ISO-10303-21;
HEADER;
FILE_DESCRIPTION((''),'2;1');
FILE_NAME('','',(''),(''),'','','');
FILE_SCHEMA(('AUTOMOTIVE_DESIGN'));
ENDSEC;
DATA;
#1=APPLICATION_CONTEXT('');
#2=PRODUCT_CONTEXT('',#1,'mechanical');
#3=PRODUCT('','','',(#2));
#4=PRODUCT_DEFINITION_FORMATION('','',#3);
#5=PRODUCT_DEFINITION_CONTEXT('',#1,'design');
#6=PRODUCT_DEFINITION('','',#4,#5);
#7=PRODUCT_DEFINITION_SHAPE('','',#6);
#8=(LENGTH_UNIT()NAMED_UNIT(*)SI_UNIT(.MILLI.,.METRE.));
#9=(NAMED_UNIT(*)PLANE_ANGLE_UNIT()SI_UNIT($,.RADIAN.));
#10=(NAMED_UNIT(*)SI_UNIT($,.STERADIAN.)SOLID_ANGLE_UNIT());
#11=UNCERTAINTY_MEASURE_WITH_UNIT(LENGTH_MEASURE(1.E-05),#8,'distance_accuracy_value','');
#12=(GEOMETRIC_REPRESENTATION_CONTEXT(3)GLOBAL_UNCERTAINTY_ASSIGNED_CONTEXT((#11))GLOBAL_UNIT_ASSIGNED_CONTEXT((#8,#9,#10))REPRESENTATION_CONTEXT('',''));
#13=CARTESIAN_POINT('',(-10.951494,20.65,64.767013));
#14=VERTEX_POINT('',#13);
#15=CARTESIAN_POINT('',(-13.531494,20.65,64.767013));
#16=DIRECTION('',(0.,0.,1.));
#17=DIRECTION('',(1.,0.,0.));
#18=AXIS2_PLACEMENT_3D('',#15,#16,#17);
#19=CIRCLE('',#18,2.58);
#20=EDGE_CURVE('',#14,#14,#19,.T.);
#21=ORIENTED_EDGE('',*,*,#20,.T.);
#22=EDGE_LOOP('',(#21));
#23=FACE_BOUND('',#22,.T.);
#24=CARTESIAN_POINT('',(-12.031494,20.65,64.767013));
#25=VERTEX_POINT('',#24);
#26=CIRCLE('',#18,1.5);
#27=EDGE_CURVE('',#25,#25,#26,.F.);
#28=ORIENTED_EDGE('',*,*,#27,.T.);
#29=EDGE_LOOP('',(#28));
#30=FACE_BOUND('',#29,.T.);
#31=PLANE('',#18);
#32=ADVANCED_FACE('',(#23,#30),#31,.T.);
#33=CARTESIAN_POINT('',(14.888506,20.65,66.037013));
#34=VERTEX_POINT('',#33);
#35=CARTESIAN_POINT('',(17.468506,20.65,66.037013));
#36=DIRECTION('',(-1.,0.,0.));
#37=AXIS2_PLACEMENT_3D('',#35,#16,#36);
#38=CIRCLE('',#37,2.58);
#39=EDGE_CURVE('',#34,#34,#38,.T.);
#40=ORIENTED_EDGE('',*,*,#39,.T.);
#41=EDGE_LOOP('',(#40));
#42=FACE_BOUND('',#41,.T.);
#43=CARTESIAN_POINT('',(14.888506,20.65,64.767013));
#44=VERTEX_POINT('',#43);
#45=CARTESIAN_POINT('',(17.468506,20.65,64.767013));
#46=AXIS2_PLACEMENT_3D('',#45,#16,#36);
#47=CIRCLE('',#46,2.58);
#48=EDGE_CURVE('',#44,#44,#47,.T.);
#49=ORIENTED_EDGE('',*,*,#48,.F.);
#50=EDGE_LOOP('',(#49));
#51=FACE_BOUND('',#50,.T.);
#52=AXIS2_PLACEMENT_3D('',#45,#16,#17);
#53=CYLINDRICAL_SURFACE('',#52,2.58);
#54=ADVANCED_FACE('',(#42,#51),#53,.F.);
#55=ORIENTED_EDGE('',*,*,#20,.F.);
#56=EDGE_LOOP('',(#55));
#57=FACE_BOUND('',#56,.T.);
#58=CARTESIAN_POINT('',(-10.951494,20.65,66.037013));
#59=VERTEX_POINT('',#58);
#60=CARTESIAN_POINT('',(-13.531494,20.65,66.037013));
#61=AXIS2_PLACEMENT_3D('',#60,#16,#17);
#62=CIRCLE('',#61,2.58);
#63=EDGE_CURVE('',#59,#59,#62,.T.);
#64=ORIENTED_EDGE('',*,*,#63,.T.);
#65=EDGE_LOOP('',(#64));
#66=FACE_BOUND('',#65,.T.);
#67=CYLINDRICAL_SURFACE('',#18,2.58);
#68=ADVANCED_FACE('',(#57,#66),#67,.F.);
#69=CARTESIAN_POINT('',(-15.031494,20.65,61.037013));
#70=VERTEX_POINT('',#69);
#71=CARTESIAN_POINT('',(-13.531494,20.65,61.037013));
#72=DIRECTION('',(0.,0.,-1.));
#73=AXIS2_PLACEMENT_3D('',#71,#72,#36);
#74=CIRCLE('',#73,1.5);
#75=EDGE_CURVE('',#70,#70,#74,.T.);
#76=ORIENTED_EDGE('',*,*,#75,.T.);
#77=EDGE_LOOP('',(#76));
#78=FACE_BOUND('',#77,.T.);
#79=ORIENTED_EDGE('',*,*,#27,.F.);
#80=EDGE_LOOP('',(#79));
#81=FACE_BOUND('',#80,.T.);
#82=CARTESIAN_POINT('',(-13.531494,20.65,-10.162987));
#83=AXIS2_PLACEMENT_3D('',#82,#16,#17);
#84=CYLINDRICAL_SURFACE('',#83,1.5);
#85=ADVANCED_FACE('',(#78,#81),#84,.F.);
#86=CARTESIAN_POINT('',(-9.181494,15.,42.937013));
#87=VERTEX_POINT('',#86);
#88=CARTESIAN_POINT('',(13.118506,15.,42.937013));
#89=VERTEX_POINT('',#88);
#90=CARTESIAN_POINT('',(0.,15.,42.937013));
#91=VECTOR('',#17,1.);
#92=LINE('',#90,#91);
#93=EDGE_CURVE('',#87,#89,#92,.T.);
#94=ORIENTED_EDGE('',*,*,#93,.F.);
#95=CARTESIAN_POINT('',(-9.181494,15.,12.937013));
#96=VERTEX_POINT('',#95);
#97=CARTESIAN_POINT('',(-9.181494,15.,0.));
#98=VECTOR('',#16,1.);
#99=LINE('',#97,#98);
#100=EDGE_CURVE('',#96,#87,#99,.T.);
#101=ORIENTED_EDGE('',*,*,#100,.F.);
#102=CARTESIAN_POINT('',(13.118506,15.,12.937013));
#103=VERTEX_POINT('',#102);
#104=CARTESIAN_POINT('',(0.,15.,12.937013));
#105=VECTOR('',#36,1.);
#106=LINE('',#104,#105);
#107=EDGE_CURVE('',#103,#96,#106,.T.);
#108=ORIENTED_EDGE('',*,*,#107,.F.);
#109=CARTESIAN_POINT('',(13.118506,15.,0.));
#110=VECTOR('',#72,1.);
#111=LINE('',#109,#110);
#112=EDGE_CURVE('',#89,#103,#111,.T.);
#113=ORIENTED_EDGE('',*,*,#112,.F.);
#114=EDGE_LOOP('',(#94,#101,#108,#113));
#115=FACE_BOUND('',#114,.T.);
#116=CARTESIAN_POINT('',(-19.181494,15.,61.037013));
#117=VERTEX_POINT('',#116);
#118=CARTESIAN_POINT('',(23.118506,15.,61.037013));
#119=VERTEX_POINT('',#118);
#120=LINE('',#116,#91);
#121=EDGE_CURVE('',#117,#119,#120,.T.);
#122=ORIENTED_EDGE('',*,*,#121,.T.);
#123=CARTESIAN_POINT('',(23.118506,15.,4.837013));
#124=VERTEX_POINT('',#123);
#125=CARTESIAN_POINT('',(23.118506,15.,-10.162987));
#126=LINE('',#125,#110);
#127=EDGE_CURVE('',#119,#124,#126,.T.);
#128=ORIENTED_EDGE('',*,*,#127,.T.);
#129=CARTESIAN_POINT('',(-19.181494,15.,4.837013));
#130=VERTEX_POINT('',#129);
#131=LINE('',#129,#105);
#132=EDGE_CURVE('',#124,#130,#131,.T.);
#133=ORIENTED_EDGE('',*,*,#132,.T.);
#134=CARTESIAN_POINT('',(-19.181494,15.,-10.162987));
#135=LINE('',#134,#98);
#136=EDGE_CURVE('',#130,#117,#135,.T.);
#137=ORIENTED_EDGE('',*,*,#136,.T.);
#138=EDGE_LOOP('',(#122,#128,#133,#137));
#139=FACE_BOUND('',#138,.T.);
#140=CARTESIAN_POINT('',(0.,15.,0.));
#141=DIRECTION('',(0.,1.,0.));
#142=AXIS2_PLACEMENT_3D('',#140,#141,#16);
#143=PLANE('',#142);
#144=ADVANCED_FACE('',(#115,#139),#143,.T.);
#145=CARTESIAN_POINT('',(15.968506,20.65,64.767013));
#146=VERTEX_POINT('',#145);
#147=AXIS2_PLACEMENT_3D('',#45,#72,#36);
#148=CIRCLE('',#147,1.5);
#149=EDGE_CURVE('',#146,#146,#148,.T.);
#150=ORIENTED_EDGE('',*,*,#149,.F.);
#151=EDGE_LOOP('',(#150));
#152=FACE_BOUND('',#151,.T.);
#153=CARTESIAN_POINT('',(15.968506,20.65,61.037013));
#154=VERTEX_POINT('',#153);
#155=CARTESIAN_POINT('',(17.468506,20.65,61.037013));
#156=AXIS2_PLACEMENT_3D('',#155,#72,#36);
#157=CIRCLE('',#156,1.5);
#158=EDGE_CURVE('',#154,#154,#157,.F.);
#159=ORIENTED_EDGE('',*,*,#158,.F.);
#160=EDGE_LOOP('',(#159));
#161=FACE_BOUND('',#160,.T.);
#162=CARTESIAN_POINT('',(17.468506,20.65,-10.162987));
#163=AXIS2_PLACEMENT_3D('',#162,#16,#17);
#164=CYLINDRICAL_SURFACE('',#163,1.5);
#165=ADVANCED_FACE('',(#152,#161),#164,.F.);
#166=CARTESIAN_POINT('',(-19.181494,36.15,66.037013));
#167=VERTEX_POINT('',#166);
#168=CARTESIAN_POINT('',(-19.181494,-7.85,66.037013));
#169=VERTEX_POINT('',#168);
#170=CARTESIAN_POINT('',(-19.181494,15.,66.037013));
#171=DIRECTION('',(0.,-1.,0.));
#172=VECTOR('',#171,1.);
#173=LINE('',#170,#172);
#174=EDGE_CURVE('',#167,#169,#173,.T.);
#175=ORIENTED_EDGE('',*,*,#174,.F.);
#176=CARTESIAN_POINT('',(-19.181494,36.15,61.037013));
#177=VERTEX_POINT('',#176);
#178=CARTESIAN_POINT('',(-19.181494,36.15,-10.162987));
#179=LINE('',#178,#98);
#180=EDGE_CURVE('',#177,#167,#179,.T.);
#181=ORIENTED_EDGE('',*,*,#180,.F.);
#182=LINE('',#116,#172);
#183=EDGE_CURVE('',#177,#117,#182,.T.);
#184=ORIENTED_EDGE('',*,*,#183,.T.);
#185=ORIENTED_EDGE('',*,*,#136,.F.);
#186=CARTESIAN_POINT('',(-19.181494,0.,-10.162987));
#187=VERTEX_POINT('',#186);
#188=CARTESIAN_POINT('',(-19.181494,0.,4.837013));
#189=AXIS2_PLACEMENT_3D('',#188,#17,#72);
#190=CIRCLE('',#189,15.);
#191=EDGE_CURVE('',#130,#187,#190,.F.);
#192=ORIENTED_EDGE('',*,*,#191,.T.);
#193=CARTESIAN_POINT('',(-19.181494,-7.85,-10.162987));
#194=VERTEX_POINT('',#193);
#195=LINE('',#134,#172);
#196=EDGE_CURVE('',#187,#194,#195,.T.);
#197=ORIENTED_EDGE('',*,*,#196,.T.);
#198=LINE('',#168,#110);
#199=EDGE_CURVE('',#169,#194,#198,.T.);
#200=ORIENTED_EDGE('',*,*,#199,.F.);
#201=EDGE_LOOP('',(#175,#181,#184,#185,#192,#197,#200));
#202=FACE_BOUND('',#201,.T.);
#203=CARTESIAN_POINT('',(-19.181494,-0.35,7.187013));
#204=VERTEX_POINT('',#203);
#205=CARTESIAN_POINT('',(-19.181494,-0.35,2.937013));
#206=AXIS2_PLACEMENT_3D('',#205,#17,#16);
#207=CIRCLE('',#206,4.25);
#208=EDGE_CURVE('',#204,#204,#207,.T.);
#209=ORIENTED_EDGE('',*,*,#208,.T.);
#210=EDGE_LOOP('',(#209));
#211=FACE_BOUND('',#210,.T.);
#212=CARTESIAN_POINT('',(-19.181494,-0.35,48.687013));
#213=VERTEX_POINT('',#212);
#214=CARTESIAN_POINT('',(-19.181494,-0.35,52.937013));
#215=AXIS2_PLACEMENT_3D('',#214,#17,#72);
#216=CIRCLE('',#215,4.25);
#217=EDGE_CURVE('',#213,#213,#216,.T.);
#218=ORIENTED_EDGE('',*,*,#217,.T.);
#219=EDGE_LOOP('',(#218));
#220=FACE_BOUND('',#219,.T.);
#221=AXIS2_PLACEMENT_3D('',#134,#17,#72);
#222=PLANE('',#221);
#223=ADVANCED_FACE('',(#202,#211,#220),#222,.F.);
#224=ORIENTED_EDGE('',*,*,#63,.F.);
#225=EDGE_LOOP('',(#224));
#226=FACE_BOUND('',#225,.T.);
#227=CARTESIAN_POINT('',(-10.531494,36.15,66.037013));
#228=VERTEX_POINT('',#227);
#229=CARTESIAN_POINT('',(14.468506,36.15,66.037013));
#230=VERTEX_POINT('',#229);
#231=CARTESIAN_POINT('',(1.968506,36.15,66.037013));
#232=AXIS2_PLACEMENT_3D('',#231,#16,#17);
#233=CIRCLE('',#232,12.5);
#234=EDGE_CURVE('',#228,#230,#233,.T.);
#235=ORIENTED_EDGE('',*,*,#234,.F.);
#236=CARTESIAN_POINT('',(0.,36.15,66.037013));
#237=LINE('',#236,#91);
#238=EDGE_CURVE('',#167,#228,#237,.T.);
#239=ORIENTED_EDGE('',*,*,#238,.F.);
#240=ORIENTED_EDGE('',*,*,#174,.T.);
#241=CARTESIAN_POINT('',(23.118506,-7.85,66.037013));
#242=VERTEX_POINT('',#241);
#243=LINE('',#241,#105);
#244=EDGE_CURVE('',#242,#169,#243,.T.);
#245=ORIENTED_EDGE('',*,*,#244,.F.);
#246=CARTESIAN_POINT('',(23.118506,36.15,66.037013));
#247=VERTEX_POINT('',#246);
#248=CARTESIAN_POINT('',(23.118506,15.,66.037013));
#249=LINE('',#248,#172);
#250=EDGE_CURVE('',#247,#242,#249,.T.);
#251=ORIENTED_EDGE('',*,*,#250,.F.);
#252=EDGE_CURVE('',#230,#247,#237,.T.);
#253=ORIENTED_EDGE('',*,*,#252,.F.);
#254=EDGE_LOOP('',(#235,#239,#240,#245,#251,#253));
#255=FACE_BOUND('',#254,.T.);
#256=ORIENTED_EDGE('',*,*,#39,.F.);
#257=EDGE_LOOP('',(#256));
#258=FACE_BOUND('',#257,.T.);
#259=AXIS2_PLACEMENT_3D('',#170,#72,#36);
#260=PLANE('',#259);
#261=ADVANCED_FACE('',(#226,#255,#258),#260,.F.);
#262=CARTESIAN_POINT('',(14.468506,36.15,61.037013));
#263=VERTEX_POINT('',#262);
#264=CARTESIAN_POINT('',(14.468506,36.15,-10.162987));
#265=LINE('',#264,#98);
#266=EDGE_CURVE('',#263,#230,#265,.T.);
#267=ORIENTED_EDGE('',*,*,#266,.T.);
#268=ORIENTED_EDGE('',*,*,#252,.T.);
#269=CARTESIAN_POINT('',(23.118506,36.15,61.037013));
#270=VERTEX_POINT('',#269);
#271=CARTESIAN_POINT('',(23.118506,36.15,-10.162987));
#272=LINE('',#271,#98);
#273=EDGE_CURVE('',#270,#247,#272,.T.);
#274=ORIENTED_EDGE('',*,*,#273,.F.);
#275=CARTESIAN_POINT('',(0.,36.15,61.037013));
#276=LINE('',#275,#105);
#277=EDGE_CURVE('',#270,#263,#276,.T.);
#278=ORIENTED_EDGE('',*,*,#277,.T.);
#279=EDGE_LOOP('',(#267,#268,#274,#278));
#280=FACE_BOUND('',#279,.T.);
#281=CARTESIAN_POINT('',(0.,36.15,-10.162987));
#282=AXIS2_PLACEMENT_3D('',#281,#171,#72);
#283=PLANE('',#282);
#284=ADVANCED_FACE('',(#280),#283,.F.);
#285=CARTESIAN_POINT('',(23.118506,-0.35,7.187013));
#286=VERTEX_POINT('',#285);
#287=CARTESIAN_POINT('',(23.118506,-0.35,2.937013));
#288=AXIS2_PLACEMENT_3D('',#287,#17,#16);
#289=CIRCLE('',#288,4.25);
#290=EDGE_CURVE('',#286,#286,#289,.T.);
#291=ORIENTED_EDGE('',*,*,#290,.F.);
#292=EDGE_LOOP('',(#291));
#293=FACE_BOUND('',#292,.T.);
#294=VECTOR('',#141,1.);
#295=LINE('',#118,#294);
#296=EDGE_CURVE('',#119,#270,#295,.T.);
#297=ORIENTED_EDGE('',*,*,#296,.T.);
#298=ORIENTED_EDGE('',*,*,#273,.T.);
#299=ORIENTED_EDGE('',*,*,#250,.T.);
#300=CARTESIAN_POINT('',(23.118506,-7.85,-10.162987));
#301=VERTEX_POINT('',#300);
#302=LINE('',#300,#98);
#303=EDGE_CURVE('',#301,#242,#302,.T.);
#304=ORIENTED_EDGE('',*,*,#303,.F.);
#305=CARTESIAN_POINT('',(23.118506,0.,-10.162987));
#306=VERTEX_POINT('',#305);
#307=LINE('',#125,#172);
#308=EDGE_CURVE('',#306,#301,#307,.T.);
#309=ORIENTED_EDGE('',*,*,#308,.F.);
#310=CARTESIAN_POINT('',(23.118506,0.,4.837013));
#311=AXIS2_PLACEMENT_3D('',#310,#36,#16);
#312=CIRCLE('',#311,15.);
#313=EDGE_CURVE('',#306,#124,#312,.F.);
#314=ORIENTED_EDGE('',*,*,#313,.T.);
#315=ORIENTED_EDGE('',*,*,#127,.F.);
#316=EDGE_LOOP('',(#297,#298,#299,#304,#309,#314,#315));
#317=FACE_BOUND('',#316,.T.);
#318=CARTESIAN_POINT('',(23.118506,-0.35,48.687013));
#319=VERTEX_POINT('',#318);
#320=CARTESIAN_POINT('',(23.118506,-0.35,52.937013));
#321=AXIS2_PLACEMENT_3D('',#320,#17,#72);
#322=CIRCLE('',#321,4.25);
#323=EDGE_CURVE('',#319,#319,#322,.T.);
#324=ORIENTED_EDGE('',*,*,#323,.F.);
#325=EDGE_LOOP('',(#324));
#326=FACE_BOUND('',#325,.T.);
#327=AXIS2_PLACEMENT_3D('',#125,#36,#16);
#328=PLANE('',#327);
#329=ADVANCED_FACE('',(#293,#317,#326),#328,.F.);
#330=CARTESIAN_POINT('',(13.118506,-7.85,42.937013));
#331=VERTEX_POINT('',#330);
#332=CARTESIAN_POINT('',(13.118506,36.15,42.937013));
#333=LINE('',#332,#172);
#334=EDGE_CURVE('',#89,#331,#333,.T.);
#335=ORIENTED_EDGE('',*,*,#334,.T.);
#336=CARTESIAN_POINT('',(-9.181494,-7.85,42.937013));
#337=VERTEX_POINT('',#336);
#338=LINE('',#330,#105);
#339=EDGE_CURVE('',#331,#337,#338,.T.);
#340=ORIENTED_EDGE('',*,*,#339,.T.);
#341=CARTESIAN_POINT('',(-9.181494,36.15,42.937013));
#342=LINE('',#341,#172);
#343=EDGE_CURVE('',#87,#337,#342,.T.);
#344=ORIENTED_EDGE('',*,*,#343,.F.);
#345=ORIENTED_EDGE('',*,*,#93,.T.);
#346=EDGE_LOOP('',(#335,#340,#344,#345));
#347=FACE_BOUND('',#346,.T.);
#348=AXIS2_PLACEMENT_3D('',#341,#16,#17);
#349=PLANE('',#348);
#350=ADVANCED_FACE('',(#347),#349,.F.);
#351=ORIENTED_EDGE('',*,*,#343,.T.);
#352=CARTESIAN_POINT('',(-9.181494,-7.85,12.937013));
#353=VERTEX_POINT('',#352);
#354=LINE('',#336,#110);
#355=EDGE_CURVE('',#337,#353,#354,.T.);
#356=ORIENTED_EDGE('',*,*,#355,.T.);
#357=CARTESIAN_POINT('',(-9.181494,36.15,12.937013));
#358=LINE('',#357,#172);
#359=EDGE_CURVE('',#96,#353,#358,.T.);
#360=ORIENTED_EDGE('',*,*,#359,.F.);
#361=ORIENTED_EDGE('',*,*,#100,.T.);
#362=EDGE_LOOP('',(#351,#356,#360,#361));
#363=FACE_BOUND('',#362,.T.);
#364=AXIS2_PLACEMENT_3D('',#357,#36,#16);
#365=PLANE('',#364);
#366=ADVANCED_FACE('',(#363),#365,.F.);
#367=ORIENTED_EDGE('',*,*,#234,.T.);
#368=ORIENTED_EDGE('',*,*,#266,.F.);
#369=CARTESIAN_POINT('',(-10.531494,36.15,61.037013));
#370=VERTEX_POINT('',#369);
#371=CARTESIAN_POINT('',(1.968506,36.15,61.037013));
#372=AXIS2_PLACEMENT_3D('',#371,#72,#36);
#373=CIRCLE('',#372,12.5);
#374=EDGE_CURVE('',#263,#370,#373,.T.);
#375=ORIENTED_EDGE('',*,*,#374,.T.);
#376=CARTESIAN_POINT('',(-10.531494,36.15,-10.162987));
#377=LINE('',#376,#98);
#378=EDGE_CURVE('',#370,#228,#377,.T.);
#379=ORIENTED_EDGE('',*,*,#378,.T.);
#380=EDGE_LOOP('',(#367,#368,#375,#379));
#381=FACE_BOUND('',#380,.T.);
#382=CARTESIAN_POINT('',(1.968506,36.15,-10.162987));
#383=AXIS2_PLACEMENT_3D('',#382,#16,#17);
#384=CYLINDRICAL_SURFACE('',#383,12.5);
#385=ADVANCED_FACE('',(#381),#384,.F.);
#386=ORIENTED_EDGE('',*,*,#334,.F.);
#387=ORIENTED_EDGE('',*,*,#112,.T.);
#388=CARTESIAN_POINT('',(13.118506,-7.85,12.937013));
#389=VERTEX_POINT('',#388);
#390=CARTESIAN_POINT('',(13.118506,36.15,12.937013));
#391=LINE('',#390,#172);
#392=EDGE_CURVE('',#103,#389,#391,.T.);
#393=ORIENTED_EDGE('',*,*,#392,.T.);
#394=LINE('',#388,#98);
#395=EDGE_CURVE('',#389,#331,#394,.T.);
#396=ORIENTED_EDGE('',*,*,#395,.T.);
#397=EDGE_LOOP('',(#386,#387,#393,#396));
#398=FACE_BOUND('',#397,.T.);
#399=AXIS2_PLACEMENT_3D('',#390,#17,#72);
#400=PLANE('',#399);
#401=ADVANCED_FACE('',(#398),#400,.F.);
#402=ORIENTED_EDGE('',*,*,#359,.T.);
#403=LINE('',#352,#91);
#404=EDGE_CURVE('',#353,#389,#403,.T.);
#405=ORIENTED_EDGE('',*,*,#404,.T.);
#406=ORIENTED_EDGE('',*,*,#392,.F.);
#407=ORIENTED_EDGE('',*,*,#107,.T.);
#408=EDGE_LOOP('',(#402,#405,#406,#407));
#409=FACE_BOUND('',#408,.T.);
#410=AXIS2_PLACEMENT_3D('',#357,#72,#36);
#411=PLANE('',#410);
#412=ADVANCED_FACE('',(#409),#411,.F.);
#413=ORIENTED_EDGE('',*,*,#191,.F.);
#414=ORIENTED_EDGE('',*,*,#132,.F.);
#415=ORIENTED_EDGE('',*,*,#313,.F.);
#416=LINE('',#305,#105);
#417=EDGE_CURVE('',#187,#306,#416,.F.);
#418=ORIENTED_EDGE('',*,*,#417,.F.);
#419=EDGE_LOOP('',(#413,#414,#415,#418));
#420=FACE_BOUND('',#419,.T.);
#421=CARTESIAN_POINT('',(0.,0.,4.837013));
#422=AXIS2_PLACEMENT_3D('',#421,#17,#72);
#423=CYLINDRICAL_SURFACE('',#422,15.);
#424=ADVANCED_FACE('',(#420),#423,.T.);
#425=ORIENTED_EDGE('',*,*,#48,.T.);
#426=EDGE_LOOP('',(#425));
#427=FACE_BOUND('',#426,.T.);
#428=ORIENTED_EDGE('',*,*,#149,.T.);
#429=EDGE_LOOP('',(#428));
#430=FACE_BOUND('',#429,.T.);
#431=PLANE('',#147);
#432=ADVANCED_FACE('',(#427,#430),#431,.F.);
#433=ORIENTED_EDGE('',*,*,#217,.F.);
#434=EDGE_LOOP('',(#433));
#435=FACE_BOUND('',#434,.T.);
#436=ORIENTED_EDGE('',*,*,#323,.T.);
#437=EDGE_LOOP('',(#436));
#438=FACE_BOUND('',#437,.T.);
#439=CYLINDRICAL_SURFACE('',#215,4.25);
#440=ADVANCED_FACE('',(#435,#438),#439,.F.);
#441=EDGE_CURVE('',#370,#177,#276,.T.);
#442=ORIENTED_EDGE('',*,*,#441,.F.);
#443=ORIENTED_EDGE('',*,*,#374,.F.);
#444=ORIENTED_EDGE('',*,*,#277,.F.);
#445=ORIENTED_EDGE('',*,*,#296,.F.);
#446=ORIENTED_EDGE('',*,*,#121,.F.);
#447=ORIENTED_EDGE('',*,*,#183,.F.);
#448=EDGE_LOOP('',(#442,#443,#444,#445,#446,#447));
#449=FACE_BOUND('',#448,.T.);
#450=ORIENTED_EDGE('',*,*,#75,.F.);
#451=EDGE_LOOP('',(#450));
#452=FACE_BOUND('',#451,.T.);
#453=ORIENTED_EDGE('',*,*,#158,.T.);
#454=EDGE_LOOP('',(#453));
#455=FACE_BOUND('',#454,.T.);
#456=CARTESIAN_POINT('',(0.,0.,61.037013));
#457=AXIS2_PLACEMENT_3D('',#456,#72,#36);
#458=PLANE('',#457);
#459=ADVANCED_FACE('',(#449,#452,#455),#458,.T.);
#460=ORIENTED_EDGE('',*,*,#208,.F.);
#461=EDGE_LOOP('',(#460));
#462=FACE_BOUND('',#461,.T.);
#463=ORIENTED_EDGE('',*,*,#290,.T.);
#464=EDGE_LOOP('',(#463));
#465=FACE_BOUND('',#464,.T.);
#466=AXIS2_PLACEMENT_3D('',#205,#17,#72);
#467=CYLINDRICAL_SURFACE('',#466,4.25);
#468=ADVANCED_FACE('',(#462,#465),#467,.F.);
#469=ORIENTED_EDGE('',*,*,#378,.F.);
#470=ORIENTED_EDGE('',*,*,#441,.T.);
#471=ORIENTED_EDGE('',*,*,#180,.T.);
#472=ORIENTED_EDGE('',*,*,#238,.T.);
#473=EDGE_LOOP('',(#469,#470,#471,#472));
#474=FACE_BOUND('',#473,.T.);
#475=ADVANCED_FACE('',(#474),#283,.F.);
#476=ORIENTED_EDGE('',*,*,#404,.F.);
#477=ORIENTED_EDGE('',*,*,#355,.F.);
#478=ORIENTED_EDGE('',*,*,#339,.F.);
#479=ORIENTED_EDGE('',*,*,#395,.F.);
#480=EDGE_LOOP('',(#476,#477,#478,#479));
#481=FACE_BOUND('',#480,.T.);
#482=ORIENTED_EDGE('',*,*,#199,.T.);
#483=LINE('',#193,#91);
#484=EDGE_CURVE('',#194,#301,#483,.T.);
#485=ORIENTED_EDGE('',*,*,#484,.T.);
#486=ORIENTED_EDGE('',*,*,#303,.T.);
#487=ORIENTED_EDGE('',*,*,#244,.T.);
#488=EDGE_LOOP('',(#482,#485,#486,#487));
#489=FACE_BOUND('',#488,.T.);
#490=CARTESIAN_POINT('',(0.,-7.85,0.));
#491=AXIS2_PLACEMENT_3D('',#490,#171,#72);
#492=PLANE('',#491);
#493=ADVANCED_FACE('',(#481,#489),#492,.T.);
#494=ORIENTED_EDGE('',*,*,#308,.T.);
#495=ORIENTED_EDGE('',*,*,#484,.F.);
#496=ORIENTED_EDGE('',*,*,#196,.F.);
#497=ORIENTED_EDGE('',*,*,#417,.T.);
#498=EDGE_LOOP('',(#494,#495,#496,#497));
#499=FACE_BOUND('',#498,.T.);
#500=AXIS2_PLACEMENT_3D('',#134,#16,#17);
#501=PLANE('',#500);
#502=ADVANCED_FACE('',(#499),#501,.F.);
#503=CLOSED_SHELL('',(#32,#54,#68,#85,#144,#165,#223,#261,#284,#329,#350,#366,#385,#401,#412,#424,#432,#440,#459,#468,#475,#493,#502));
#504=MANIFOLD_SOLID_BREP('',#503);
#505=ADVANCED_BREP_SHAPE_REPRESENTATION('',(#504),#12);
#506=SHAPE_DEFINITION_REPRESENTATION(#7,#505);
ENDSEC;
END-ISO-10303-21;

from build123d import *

# Parameters (mm, degrees)
SKETCH2_W                        = 42.3
SKETCH2_H                        = 76.2
BOSS_EXTRUDE1_DEPTH              = 15
SKETCH5_W                        = 42.3
SKETCH5_H                        = 42.3
MOUNTING_DEPTH                   = 5
SKETCH6_R                        = 12.5
SKETCH6_W                        = 42.3
SKETCH6_H                        = 21.15
PULLY_HOLE_DEPTH                 = 77.2
SKETCH8_R                        = 1.5
CUT_EXTRUDE_M3_DEPTH             = 77.2
SKETCH9_R                        = 2.58
SCREW_TOPS_DEPTH                 = 1.27
SKETCH11_W                       = 22.3
SKETCH11_H                       = 30
CUT_EXTRUDE1_DEPTH               = 37.15
SKETCH12_W                       = 42.3
SKETCH12_H                       = 76.2
SKETCH12_W_2                     = 22.3
SKETCH12_H_2                     = 30
F_7_85_CORRECTION_TO_MATCH_DEPTH = 7.85
SKETCH13_R                       = 4.25
CUT_EXTRUDE2_DEPTH               = 43.3
FILLET1_R                        = 15


with BuildPart() as part:
    # Sketch2 → Boss-Extrude1 (new body)
    with BuildSketch(Plane(origin=(0, 0, 0), x_dir=(1, 0, 0), z_dir=(0, 1, 0))):
        with Locations((1.968506494, -27.937012987)):
            Rectangle(SKETCH2_W, SKETCH2_H)
    extrude(amount=BOSS_EXTRUDE1_DEPTH)

    # Sketch5 → Mounting (add)
    with BuildSketch(Plane.XY.offset(66.037012987)):
        with Locations((1.968506494, 36.15)):
            Rectangle(SKETCH5_W, SKETCH5_H)
    extrude(amount=-MOUNTING_DEPTH)

    # Sketch6 → Pully Hole (cut, through all)
    with BuildSketch(Plane.XY.offset(66.037012987)):
        with Locations((1.968506494, 36.15)):
            Circle(SKETCH6_R)
        with Locations((1.968506494, 46.725)):
            Rectangle(SKETCH6_W, SKETCH6_H)
    extrude(amount=-PULLY_HOLE_DEPTH, mode=Mode.SUBTRACT)

    # Sketch8 → Cut-Extrude M3 (cut, through all)
    with BuildSketch(Plane.XY.offset(66.037012987)):
        with Locations((-13.531493506, 20.65)):
            Circle(SKETCH8_R)
        with Locations((17.468506494, 20.65)):
            Circle(SKETCH8_R)
    extrude(amount=-CUT_EXTRUDE_M3_DEPTH, mode=Mode.SUBTRACT)

    # Sketch9 → Screw Tops (cut)
    with BuildSketch(Plane.XY.offset(66.037012987)):
        with Locations((-13.531493506, 20.65)):
            Circle(SKETCH9_R)
        with Locations((17.468506494, 20.65)):
            Circle(SKETCH9_R)
    extrude(amount=-SCREW_TOPS_DEPTH, mode=Mode.SUBTRACT)

    # Sketch11 → Cut-Extrude1 (cut, through all)
    with BuildSketch(Plane.XZ):
        with Locations((1.968506494, 27.937012987)):
            Rectangle(SKETCH11_W, SKETCH11_H)
    extrude(amount=-CUT_EXTRUDE1_DEPTH, mode=Mode.SUBTRACT)

    # Sketch12 → 7.85 correction to match (add)
    with BuildSketch(Plane.XZ):
        with Locations((1.968506494, 27.937012987)):
            Rectangle(SKETCH12_W, SKETCH12_H)
        with Locations((1.968506494, 27.937012987)):
            Rectangle(SKETCH12_W_2, SKETCH12_H_2, mode=Mode.SUBTRACT)
    extrude(amount=F_7_85_CORRECTION_TO_MATCH_DEPTH)

    # Sketch13 → Cut-Extrude2 (cut, through all)
    with BuildSketch(Plane(origin=(23.118506494, 0, 0), x_dir=(0, 0, -1), z_dir=(1, 0, 0))):
        with Locations((-52.937012987, -0.35)):
            Circle(SKETCH13_R)
        with Locations((-2.937012987, -0.35)):
            Circle(SKETCH13_R)
    extrude(amount=-CUT_EXTRUDE2_DEPTH, mode=Mode.SUBTRACT)

    # Fillet1
    fillet1_edges = [part.edges().sort_by_distance(p)[0] for p in [
        (1.968506494, 15, -10.162987013),
    ]]
    fillet(fillet1_edges, radius=FILLET1_R)


solid = part.part
